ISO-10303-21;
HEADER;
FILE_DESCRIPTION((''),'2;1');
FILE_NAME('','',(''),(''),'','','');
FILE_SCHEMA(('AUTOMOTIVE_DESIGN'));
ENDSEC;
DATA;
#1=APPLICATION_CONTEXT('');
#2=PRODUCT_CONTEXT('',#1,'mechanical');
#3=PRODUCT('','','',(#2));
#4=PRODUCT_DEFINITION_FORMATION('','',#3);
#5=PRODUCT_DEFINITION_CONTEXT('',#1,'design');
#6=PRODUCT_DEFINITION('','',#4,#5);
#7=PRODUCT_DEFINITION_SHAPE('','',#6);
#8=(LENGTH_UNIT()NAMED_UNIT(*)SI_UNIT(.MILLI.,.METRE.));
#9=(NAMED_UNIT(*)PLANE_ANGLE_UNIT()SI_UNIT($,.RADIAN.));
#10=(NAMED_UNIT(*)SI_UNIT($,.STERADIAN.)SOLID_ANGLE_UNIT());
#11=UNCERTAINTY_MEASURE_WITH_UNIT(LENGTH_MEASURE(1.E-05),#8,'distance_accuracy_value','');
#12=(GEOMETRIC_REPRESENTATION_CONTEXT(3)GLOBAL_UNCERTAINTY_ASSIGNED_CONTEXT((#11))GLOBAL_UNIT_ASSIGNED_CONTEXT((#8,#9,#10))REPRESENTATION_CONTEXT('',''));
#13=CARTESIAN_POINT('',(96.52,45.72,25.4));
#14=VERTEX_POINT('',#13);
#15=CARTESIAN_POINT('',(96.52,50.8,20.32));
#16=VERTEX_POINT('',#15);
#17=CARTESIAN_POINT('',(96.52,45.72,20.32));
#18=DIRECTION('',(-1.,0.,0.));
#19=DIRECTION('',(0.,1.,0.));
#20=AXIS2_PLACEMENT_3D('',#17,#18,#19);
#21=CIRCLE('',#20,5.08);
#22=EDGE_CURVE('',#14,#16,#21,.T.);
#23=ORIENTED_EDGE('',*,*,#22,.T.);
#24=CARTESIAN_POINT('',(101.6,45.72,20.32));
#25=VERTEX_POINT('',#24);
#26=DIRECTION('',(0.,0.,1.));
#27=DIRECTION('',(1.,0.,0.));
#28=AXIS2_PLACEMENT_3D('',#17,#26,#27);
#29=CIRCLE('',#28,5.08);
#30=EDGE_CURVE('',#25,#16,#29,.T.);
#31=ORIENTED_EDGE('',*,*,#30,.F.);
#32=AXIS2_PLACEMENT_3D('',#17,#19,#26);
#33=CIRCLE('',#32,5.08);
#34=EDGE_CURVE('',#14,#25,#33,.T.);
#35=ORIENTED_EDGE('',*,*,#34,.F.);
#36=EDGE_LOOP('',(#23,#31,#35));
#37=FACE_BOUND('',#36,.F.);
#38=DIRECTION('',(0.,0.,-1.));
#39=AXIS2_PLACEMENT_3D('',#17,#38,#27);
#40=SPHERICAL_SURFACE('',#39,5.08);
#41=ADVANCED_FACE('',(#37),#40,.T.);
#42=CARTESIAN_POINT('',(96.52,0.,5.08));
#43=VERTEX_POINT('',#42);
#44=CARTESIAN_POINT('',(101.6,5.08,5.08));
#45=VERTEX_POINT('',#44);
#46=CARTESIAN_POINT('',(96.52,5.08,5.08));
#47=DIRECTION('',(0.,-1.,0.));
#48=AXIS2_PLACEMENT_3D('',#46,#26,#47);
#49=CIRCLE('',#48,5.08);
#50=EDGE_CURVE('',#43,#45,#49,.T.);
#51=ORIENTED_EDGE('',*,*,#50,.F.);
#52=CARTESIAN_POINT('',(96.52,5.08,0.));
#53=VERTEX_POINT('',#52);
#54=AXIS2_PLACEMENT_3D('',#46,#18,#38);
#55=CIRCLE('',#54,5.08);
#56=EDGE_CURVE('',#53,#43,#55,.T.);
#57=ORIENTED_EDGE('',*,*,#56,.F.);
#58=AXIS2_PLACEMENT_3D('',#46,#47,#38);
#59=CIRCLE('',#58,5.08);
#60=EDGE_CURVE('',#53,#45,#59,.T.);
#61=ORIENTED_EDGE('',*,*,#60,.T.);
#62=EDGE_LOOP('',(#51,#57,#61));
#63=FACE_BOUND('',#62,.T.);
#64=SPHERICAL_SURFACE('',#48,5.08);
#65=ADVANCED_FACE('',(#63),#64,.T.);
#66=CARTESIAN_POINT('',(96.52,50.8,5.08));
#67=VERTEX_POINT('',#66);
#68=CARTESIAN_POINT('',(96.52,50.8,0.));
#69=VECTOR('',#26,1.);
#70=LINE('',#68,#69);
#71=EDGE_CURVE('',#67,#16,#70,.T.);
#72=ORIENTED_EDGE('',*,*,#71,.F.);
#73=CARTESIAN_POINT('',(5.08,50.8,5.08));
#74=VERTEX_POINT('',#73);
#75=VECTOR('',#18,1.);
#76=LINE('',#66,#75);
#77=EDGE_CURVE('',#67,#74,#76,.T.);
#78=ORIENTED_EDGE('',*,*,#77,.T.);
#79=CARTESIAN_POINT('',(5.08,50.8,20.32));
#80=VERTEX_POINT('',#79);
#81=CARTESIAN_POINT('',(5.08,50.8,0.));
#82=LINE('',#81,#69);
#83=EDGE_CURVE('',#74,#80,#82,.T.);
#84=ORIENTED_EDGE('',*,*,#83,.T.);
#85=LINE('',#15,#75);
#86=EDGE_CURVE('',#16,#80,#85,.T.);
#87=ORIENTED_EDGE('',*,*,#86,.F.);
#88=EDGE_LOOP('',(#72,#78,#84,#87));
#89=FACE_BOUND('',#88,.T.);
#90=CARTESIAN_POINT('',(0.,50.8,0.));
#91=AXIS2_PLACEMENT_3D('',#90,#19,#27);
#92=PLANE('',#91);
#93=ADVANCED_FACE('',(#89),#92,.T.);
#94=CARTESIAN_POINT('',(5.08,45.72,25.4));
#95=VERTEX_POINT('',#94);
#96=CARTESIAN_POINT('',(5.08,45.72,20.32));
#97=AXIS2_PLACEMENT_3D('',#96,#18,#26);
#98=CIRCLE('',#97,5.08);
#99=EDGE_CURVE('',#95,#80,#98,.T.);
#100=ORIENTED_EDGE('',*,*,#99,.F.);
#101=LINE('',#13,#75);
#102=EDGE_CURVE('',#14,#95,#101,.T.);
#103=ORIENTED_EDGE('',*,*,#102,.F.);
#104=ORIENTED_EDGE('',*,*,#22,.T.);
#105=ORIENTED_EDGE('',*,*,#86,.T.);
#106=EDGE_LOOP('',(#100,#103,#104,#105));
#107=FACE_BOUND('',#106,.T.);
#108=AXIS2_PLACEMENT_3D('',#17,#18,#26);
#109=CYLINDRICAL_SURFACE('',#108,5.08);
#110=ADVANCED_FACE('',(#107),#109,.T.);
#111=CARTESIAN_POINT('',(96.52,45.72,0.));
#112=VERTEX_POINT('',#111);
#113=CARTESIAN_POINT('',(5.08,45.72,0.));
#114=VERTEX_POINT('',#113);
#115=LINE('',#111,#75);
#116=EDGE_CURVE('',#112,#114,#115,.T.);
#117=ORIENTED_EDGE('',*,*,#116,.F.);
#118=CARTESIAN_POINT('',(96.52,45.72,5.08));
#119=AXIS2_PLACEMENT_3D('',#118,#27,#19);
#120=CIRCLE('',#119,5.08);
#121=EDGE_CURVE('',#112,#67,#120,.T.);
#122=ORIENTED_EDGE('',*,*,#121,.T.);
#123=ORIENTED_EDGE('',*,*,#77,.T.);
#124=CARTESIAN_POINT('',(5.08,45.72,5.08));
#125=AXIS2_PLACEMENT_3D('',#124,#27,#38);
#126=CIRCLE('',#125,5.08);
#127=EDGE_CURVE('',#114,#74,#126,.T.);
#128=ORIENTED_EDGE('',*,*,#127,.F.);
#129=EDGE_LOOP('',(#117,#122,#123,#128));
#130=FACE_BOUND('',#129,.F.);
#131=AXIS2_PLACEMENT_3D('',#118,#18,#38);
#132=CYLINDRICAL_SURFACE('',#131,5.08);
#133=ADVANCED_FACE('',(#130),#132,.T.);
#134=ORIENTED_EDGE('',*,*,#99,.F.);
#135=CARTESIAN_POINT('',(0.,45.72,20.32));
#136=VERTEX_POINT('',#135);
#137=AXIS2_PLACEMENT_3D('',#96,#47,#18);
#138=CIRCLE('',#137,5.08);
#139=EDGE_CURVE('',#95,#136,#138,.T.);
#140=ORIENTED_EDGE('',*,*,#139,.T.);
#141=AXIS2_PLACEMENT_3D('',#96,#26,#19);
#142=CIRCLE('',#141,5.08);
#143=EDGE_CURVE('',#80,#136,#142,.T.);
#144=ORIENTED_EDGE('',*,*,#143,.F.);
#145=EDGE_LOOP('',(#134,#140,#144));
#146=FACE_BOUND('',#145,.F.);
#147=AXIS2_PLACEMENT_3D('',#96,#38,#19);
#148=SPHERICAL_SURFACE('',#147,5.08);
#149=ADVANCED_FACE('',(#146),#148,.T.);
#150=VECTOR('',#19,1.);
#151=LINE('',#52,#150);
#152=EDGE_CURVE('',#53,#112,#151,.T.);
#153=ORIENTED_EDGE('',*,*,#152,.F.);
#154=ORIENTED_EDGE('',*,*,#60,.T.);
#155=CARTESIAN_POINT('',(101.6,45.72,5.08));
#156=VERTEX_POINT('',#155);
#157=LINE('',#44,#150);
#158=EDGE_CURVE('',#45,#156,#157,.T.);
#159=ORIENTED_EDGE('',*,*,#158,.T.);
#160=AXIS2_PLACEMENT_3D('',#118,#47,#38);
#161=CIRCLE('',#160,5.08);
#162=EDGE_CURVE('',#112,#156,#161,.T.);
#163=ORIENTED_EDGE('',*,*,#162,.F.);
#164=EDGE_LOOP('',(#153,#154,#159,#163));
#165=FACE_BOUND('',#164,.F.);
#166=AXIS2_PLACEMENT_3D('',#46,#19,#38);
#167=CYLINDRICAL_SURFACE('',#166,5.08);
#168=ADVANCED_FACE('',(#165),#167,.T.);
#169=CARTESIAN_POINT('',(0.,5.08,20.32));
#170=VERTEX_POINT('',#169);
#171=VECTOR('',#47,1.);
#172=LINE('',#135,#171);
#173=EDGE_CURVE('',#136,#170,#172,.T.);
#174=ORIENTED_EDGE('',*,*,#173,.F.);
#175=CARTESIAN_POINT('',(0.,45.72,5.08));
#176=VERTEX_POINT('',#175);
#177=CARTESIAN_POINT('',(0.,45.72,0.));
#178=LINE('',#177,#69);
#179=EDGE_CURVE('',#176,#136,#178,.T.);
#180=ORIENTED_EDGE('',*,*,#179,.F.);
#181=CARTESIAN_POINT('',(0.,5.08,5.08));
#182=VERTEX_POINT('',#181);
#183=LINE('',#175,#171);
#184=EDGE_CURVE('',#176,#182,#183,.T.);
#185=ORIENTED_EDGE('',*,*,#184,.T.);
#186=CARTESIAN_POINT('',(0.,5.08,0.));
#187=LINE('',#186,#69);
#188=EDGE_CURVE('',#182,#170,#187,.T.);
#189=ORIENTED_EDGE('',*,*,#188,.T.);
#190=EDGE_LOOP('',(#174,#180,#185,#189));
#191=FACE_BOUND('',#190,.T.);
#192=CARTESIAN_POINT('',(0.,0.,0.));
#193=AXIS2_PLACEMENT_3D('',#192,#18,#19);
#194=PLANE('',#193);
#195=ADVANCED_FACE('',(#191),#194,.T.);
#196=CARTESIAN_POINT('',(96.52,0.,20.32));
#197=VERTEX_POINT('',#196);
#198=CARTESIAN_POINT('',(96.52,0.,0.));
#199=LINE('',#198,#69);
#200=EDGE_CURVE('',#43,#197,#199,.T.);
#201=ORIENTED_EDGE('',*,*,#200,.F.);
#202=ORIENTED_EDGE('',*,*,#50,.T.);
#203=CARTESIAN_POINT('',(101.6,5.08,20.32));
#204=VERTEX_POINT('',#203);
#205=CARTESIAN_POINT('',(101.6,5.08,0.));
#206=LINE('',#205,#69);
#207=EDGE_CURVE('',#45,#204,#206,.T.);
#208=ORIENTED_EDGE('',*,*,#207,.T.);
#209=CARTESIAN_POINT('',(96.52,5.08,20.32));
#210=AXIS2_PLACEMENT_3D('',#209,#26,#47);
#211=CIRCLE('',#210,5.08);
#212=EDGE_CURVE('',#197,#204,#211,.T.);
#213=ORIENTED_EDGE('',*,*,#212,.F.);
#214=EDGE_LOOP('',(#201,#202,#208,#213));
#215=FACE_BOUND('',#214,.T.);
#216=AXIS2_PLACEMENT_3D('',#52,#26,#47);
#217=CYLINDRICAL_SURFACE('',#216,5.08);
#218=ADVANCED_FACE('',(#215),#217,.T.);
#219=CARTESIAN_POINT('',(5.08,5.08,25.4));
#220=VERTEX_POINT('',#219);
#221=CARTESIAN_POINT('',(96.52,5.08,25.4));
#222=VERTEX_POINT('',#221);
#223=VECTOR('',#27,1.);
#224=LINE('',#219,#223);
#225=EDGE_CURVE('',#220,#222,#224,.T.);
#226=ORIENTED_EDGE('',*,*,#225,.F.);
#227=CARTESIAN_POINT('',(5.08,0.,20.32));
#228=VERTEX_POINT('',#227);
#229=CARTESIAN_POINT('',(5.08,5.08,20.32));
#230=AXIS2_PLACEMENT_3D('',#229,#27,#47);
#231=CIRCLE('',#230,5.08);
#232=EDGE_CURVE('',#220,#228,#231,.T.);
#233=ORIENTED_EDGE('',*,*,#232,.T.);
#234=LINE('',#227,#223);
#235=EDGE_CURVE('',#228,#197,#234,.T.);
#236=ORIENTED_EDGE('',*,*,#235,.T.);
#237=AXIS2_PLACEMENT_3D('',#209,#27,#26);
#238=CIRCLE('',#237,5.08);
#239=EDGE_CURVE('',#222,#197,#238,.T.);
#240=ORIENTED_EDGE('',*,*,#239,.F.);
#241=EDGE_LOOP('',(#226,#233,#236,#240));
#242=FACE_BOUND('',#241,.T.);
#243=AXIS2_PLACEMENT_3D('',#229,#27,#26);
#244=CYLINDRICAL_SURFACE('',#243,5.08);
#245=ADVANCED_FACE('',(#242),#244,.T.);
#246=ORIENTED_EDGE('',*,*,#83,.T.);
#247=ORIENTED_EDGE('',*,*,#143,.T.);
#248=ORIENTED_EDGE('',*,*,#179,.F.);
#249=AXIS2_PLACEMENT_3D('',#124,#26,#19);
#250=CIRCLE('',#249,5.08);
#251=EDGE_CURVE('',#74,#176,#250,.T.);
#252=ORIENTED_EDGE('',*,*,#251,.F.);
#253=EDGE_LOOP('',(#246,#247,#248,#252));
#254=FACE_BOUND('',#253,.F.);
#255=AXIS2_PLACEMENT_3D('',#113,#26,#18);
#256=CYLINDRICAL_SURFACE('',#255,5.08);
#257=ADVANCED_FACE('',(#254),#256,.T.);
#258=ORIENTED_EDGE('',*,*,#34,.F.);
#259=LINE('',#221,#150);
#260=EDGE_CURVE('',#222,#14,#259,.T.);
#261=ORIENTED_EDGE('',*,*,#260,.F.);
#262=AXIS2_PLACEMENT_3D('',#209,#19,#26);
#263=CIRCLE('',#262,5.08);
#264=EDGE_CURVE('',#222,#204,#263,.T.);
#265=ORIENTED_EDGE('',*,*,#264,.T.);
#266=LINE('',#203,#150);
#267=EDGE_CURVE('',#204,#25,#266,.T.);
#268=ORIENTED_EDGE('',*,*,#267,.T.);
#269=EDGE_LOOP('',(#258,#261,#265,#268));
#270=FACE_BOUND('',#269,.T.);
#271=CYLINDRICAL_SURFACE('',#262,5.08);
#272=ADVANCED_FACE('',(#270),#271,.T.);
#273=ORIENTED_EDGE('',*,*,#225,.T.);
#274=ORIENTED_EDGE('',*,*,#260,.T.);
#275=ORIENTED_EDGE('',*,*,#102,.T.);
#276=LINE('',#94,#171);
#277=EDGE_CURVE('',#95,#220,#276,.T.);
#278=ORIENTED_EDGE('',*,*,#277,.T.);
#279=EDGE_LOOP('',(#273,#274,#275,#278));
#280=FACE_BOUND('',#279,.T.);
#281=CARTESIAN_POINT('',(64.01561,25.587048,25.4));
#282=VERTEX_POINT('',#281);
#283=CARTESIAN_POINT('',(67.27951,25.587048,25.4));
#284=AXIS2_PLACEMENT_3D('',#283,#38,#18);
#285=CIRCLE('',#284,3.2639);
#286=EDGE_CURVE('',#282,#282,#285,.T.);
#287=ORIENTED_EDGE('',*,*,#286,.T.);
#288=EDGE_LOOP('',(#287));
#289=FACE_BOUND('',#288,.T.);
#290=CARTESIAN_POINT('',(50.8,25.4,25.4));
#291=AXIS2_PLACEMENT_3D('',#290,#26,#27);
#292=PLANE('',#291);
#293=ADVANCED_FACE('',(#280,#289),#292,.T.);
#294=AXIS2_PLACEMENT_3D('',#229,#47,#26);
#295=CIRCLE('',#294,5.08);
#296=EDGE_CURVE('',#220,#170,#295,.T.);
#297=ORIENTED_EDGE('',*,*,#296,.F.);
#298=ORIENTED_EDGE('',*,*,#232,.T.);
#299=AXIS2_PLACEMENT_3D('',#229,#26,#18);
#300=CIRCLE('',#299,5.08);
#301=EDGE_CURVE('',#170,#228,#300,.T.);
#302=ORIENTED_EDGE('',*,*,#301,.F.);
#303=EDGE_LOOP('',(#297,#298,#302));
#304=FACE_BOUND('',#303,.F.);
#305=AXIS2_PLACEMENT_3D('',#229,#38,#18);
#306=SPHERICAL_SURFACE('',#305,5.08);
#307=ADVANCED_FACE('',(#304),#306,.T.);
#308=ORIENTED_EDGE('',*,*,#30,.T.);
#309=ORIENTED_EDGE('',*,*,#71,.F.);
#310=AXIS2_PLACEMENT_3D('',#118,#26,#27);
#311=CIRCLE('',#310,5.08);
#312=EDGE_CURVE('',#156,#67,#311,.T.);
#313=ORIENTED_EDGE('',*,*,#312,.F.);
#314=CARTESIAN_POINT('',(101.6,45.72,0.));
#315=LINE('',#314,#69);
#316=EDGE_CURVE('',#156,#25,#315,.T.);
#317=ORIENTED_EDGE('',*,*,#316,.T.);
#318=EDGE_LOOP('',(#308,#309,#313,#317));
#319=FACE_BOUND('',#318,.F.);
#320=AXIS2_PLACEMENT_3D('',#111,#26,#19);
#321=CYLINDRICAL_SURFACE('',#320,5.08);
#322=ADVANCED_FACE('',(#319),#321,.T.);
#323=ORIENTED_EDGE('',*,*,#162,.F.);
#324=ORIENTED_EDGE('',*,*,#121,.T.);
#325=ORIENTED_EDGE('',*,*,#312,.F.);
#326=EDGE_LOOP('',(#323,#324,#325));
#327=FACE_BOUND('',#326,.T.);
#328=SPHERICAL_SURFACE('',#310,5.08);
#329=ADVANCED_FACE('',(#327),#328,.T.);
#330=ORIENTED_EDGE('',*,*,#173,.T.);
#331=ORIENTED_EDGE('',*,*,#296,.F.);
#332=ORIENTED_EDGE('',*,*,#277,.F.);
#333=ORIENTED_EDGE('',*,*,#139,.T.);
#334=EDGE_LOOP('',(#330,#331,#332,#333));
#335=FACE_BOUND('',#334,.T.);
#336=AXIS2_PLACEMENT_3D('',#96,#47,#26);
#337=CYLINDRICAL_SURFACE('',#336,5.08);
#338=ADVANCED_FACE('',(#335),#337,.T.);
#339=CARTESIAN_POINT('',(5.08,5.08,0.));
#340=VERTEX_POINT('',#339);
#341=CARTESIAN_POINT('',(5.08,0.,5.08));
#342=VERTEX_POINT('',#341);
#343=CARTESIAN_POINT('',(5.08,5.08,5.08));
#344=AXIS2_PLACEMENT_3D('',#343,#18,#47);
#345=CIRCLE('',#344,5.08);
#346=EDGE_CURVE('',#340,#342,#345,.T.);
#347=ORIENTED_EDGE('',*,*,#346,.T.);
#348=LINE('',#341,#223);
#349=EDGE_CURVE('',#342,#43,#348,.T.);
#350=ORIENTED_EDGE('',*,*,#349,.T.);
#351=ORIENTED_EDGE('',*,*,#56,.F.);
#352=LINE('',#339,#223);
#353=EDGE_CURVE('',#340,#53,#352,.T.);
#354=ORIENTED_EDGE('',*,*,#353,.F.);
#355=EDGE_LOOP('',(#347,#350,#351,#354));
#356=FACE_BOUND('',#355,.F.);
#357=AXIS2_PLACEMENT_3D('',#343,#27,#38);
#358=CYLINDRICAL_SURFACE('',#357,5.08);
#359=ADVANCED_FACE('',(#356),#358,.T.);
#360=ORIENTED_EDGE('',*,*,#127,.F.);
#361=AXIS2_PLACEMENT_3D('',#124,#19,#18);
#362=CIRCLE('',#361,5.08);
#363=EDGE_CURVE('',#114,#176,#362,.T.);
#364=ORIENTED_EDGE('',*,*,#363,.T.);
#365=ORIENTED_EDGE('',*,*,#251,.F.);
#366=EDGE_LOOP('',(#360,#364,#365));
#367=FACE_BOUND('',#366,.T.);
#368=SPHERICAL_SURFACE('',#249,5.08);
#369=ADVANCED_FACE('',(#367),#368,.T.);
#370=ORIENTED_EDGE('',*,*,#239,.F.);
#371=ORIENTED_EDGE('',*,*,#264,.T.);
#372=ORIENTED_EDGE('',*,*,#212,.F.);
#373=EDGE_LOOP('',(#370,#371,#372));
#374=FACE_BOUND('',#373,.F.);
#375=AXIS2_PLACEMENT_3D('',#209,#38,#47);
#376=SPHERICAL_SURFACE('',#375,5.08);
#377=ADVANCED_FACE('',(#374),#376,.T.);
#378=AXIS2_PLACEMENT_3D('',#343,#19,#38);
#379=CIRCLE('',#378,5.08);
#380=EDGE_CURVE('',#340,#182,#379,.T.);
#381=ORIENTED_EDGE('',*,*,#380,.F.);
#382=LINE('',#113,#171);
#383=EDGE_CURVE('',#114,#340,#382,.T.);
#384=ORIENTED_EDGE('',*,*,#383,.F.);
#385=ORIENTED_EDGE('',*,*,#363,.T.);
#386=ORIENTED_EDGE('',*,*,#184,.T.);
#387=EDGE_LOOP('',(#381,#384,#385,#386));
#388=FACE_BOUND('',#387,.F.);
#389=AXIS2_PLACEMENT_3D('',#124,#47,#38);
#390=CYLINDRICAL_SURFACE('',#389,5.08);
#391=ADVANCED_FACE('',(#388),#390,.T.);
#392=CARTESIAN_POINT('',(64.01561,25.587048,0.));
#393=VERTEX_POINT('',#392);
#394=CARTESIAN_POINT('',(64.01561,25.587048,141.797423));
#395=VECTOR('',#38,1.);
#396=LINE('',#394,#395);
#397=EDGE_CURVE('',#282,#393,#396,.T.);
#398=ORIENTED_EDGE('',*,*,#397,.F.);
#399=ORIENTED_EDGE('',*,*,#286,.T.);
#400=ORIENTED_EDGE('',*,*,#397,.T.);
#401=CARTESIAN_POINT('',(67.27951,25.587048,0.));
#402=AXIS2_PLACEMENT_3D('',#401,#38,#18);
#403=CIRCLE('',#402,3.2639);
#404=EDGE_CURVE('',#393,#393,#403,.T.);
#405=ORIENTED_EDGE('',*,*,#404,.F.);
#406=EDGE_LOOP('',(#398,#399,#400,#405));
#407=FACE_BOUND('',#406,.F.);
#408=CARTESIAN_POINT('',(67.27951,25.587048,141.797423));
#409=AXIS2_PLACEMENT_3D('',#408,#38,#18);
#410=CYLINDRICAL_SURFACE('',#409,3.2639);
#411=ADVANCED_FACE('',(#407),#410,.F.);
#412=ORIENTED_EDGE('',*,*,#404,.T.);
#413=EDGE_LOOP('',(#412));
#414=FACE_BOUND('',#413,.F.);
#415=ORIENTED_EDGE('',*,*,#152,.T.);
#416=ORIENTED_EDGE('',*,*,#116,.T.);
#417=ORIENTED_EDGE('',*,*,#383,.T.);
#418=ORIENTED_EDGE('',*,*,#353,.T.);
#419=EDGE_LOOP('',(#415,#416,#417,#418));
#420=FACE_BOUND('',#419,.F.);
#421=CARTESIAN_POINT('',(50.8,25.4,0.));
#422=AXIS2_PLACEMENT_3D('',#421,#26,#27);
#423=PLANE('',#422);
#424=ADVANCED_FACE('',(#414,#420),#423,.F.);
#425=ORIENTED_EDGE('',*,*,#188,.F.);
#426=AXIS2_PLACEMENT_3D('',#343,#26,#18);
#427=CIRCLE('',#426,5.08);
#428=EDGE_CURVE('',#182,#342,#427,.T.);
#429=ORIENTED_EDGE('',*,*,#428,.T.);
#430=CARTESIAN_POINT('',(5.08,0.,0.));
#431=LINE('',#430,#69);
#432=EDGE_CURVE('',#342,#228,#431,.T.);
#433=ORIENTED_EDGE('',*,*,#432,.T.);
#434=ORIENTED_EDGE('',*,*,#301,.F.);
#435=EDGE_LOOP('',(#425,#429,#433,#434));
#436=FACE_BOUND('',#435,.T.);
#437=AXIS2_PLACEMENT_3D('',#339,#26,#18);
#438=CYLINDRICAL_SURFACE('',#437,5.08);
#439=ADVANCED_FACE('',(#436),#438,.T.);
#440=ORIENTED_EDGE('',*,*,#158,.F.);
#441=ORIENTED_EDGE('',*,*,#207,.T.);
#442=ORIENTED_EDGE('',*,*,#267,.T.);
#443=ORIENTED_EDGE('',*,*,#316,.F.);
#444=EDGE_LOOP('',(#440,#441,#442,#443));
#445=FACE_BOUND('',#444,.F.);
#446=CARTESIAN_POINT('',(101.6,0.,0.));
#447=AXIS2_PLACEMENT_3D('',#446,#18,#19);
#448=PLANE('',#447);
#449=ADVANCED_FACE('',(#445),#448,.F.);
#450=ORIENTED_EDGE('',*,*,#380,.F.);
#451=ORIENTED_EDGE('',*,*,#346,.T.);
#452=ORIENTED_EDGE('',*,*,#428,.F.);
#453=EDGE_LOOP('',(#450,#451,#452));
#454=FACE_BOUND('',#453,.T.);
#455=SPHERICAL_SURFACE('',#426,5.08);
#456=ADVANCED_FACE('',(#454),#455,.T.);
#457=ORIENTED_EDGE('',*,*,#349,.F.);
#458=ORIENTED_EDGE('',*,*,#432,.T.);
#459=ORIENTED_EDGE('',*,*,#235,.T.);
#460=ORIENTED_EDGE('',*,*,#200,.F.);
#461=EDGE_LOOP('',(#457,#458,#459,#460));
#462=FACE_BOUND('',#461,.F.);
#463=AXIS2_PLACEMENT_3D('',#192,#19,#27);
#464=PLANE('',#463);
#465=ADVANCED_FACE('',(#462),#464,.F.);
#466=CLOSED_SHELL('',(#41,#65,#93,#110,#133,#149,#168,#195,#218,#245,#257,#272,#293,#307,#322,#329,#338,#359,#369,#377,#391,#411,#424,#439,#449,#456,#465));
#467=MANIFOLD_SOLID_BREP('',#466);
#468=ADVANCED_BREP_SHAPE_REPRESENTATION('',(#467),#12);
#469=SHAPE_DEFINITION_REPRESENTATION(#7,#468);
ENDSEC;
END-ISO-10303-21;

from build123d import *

# Parameters (mm, degrees)
F0_W     = 101.6
F0_H     = 50.8
F1_DEPTH = 25.4
F3_D     = 6.5278
F4_R     = 5.08
F5_R     = 5.08
F6_R     = 5.08


with BuildPart() as f1:
    # F0 (on Top) → F1 (new body)
    with BuildSketch(Plane.XY):
        with Locations((50.8, 25.4)):
            Rectangle(F0_W, F0_H)
    extrude(amount=F1_DEPTH)

    # F3 (through all)
    with Locations(Plane.XY.offset(25.4)):
        with Locations((67.2795102, 25.5870483816)):
            Hole(F3_D / 2)

    # F4
    f4_edges = [f1.edges().sort_by_distance(p)[0] for p in [
        (101.6, 50.8, 12.7),
        (101.6, 0, 12.7),
        (0, 0, 12.7),
        (0, 50.8, 12.7),
    ]]
    fillet(f4_edges, radius=F4_R)

    # F5
    f5_edges = [f1.edges().sort_by_distance(p)[0] for p in [
        (101.6, 25.4, 25.4),
    ]]
    fillet(f5_edges, radius=F5_R)

    # F6
    f6_edges = [f1.edges().sort_by_distance(p)[0] for p in [
        (101.6, 25.4, 0),
    ]]
    fillet(f6_edges, radius=F6_R)


solid = f1.part
